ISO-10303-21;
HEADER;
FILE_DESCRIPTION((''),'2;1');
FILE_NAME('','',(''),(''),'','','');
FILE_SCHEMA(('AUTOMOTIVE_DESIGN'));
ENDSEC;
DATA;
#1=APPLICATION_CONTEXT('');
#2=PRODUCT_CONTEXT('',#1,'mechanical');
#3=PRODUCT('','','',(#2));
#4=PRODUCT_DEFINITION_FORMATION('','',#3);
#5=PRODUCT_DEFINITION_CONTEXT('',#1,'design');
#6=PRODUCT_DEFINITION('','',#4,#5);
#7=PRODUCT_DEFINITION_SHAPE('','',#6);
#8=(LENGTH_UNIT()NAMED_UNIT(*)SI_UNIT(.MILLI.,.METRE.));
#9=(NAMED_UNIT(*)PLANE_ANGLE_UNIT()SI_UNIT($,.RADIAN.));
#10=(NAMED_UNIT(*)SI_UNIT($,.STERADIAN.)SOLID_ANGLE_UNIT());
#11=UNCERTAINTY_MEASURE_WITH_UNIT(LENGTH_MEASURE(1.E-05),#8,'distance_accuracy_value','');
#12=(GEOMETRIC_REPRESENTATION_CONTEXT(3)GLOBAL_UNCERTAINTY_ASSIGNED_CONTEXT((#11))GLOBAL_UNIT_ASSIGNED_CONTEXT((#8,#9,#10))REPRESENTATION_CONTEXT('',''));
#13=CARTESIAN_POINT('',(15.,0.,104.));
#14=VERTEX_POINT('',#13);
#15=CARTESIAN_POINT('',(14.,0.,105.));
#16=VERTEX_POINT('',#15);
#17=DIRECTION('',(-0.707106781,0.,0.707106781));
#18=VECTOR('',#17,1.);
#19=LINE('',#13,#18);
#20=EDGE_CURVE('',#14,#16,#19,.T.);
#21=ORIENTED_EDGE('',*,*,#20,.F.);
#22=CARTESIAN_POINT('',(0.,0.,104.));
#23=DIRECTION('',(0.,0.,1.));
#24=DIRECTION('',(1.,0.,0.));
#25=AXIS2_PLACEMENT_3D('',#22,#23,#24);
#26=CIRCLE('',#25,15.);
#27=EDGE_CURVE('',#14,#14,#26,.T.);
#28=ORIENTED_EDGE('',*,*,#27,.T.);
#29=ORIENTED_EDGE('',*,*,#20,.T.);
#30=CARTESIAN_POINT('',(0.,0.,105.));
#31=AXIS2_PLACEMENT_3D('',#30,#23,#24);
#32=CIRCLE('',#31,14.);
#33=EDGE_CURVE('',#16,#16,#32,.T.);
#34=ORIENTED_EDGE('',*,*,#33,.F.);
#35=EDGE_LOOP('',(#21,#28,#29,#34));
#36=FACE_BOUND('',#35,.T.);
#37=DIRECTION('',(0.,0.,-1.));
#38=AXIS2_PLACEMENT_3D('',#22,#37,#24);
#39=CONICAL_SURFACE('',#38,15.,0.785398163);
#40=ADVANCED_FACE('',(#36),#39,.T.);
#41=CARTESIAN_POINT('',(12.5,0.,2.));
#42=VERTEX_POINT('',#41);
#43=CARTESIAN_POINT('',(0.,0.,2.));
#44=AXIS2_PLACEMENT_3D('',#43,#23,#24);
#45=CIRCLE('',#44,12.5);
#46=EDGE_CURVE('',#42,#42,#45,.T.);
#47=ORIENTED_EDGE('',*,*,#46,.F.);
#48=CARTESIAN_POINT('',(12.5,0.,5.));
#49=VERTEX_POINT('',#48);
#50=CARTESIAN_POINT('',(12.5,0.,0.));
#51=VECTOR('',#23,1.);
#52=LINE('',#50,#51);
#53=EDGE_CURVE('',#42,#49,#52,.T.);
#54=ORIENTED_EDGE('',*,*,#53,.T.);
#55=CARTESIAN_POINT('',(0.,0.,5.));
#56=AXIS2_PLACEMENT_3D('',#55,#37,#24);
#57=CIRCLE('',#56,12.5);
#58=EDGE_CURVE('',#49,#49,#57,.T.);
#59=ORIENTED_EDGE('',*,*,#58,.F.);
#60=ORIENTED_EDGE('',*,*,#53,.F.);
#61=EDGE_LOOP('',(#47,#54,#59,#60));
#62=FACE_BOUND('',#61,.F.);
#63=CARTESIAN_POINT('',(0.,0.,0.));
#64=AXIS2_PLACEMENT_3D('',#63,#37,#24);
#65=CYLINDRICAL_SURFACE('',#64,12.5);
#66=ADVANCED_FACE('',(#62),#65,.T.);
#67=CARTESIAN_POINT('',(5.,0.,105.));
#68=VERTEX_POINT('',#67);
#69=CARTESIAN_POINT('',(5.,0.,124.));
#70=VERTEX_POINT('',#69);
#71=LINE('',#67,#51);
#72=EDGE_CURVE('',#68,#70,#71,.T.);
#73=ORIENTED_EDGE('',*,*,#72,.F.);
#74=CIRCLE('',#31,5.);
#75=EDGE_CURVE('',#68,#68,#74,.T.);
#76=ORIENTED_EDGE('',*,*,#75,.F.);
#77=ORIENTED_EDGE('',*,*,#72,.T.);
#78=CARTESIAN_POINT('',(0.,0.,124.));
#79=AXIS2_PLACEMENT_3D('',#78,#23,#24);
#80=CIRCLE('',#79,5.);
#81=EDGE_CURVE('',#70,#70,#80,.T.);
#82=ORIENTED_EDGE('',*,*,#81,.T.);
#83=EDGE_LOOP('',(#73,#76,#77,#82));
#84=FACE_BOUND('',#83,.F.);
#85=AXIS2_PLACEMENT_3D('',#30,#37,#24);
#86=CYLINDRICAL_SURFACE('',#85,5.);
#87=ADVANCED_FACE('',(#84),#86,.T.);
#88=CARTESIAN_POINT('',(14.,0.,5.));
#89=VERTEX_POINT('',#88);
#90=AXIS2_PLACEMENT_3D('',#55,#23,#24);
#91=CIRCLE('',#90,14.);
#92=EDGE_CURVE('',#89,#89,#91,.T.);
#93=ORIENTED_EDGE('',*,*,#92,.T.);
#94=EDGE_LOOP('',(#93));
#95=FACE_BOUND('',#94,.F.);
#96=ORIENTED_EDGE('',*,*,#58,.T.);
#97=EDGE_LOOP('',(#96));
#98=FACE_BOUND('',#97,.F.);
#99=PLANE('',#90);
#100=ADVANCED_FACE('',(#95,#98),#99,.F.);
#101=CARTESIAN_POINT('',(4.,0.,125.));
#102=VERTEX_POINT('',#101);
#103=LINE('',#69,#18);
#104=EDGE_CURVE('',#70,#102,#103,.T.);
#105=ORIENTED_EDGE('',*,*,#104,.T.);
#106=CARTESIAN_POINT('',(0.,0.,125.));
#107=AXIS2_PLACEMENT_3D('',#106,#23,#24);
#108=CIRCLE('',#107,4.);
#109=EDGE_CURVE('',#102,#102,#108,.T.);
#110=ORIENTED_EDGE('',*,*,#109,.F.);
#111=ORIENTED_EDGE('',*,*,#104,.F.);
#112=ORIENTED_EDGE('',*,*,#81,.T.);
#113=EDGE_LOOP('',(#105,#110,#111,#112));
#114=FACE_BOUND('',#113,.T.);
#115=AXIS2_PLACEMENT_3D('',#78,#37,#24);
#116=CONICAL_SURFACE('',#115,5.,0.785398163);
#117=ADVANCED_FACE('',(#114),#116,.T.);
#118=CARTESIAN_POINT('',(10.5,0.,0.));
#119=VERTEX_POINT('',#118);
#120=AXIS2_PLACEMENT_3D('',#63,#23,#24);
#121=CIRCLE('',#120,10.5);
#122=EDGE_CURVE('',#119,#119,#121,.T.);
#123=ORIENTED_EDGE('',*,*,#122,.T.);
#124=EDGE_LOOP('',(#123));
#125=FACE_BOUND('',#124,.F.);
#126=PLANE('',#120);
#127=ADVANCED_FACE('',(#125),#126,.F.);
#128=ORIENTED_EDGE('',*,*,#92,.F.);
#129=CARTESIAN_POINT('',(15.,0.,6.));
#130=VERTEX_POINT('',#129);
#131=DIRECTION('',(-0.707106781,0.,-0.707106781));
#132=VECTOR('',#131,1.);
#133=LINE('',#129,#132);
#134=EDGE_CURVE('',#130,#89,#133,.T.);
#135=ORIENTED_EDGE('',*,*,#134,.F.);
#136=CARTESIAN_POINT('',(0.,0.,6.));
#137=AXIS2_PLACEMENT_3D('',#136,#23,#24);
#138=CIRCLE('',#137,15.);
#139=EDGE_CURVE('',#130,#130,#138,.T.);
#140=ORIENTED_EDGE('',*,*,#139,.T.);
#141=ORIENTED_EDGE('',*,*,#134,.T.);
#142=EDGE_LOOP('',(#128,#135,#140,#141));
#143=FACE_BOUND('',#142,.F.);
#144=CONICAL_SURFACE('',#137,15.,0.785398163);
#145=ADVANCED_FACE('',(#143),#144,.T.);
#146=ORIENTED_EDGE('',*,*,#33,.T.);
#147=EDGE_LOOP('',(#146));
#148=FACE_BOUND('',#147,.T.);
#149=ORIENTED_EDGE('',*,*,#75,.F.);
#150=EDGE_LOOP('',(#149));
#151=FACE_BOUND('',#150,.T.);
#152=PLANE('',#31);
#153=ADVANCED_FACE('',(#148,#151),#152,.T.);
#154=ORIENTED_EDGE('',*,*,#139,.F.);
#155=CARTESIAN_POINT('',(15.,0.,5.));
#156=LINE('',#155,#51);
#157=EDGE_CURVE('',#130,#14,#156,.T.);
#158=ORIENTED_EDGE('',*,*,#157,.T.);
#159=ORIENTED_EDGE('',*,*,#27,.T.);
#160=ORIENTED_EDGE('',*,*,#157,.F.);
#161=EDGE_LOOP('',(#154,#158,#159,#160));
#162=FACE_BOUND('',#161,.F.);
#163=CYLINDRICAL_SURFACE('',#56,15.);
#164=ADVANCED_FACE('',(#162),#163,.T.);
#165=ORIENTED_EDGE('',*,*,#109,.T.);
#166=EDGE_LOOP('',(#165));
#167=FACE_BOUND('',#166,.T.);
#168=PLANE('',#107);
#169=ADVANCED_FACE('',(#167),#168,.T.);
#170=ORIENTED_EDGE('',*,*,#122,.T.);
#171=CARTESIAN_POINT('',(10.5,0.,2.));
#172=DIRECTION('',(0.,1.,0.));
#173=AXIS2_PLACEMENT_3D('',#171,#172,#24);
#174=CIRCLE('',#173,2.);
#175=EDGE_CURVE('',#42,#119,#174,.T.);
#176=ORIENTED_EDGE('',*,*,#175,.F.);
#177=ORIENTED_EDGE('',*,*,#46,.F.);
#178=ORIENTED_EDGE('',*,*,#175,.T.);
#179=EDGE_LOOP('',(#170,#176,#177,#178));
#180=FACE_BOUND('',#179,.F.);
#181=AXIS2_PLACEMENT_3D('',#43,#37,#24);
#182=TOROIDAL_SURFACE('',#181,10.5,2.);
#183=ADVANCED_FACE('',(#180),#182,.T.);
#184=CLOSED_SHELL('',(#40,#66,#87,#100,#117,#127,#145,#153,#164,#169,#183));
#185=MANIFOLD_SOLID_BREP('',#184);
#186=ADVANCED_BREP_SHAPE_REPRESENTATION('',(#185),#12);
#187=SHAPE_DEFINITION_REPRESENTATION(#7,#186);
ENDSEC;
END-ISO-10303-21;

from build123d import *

# Parameters (mm, degrees)
F0_R     = 12.5
F1_DEPTH = 20
F3_R     = 15
F4_DEPTH = 100
F5_SIZE  = 1
F6_SIZE  = 1
F7_R     = 5
F8_DEPTH = 20
F9_SIZE  = 1
F10_R    = 2


with BuildPart() as f1:
    # F0 (on Top) → F1 (new body)
    with BuildSketch(Plane.XY):
        Circle(F0_R)
    extrude(amount=F1_DEPTH)

    # F3 (on offset) → F4 (join)
    with BuildSketch(Plane.XY.offset(5)):
        Circle(F3_R)
    extrude(amount=F4_DEPTH)

    # F5
    f5_edges = [f1.edges().sort_by_distance(p)[0] for p in [
        (-15, 0, 5),
    ]]
    chamfer(f5_edges, length=F5_SIZE)

    # F6
    f6_edges = [f1.edges().sort_by_distance(p)[0] for p in [
        (-15, 0, 105),
    ]]
    chamfer(f6_edges, length=F6_SIZE)

    # F7 (on face) → F8 (join)
    with BuildSketch(Plane.XY.offset(105)):
        Circle(F7_R)
    extrude(amount=F8_DEPTH)

    # F9
    f9_edges = [f1.edges().sort_by_distance(p)[0] for p in [
        (-5, 0, 125),
    ]]
    chamfer(f9_edges, length=F9_SIZE)

    # F10
    f10_edges = [f1.edges().sort_by_distance(p)[0] for p in [
        (-12.5, 0, 0),
    ]]
    fillet(f10_edges, radius=F10_R)


solid = f1.part
